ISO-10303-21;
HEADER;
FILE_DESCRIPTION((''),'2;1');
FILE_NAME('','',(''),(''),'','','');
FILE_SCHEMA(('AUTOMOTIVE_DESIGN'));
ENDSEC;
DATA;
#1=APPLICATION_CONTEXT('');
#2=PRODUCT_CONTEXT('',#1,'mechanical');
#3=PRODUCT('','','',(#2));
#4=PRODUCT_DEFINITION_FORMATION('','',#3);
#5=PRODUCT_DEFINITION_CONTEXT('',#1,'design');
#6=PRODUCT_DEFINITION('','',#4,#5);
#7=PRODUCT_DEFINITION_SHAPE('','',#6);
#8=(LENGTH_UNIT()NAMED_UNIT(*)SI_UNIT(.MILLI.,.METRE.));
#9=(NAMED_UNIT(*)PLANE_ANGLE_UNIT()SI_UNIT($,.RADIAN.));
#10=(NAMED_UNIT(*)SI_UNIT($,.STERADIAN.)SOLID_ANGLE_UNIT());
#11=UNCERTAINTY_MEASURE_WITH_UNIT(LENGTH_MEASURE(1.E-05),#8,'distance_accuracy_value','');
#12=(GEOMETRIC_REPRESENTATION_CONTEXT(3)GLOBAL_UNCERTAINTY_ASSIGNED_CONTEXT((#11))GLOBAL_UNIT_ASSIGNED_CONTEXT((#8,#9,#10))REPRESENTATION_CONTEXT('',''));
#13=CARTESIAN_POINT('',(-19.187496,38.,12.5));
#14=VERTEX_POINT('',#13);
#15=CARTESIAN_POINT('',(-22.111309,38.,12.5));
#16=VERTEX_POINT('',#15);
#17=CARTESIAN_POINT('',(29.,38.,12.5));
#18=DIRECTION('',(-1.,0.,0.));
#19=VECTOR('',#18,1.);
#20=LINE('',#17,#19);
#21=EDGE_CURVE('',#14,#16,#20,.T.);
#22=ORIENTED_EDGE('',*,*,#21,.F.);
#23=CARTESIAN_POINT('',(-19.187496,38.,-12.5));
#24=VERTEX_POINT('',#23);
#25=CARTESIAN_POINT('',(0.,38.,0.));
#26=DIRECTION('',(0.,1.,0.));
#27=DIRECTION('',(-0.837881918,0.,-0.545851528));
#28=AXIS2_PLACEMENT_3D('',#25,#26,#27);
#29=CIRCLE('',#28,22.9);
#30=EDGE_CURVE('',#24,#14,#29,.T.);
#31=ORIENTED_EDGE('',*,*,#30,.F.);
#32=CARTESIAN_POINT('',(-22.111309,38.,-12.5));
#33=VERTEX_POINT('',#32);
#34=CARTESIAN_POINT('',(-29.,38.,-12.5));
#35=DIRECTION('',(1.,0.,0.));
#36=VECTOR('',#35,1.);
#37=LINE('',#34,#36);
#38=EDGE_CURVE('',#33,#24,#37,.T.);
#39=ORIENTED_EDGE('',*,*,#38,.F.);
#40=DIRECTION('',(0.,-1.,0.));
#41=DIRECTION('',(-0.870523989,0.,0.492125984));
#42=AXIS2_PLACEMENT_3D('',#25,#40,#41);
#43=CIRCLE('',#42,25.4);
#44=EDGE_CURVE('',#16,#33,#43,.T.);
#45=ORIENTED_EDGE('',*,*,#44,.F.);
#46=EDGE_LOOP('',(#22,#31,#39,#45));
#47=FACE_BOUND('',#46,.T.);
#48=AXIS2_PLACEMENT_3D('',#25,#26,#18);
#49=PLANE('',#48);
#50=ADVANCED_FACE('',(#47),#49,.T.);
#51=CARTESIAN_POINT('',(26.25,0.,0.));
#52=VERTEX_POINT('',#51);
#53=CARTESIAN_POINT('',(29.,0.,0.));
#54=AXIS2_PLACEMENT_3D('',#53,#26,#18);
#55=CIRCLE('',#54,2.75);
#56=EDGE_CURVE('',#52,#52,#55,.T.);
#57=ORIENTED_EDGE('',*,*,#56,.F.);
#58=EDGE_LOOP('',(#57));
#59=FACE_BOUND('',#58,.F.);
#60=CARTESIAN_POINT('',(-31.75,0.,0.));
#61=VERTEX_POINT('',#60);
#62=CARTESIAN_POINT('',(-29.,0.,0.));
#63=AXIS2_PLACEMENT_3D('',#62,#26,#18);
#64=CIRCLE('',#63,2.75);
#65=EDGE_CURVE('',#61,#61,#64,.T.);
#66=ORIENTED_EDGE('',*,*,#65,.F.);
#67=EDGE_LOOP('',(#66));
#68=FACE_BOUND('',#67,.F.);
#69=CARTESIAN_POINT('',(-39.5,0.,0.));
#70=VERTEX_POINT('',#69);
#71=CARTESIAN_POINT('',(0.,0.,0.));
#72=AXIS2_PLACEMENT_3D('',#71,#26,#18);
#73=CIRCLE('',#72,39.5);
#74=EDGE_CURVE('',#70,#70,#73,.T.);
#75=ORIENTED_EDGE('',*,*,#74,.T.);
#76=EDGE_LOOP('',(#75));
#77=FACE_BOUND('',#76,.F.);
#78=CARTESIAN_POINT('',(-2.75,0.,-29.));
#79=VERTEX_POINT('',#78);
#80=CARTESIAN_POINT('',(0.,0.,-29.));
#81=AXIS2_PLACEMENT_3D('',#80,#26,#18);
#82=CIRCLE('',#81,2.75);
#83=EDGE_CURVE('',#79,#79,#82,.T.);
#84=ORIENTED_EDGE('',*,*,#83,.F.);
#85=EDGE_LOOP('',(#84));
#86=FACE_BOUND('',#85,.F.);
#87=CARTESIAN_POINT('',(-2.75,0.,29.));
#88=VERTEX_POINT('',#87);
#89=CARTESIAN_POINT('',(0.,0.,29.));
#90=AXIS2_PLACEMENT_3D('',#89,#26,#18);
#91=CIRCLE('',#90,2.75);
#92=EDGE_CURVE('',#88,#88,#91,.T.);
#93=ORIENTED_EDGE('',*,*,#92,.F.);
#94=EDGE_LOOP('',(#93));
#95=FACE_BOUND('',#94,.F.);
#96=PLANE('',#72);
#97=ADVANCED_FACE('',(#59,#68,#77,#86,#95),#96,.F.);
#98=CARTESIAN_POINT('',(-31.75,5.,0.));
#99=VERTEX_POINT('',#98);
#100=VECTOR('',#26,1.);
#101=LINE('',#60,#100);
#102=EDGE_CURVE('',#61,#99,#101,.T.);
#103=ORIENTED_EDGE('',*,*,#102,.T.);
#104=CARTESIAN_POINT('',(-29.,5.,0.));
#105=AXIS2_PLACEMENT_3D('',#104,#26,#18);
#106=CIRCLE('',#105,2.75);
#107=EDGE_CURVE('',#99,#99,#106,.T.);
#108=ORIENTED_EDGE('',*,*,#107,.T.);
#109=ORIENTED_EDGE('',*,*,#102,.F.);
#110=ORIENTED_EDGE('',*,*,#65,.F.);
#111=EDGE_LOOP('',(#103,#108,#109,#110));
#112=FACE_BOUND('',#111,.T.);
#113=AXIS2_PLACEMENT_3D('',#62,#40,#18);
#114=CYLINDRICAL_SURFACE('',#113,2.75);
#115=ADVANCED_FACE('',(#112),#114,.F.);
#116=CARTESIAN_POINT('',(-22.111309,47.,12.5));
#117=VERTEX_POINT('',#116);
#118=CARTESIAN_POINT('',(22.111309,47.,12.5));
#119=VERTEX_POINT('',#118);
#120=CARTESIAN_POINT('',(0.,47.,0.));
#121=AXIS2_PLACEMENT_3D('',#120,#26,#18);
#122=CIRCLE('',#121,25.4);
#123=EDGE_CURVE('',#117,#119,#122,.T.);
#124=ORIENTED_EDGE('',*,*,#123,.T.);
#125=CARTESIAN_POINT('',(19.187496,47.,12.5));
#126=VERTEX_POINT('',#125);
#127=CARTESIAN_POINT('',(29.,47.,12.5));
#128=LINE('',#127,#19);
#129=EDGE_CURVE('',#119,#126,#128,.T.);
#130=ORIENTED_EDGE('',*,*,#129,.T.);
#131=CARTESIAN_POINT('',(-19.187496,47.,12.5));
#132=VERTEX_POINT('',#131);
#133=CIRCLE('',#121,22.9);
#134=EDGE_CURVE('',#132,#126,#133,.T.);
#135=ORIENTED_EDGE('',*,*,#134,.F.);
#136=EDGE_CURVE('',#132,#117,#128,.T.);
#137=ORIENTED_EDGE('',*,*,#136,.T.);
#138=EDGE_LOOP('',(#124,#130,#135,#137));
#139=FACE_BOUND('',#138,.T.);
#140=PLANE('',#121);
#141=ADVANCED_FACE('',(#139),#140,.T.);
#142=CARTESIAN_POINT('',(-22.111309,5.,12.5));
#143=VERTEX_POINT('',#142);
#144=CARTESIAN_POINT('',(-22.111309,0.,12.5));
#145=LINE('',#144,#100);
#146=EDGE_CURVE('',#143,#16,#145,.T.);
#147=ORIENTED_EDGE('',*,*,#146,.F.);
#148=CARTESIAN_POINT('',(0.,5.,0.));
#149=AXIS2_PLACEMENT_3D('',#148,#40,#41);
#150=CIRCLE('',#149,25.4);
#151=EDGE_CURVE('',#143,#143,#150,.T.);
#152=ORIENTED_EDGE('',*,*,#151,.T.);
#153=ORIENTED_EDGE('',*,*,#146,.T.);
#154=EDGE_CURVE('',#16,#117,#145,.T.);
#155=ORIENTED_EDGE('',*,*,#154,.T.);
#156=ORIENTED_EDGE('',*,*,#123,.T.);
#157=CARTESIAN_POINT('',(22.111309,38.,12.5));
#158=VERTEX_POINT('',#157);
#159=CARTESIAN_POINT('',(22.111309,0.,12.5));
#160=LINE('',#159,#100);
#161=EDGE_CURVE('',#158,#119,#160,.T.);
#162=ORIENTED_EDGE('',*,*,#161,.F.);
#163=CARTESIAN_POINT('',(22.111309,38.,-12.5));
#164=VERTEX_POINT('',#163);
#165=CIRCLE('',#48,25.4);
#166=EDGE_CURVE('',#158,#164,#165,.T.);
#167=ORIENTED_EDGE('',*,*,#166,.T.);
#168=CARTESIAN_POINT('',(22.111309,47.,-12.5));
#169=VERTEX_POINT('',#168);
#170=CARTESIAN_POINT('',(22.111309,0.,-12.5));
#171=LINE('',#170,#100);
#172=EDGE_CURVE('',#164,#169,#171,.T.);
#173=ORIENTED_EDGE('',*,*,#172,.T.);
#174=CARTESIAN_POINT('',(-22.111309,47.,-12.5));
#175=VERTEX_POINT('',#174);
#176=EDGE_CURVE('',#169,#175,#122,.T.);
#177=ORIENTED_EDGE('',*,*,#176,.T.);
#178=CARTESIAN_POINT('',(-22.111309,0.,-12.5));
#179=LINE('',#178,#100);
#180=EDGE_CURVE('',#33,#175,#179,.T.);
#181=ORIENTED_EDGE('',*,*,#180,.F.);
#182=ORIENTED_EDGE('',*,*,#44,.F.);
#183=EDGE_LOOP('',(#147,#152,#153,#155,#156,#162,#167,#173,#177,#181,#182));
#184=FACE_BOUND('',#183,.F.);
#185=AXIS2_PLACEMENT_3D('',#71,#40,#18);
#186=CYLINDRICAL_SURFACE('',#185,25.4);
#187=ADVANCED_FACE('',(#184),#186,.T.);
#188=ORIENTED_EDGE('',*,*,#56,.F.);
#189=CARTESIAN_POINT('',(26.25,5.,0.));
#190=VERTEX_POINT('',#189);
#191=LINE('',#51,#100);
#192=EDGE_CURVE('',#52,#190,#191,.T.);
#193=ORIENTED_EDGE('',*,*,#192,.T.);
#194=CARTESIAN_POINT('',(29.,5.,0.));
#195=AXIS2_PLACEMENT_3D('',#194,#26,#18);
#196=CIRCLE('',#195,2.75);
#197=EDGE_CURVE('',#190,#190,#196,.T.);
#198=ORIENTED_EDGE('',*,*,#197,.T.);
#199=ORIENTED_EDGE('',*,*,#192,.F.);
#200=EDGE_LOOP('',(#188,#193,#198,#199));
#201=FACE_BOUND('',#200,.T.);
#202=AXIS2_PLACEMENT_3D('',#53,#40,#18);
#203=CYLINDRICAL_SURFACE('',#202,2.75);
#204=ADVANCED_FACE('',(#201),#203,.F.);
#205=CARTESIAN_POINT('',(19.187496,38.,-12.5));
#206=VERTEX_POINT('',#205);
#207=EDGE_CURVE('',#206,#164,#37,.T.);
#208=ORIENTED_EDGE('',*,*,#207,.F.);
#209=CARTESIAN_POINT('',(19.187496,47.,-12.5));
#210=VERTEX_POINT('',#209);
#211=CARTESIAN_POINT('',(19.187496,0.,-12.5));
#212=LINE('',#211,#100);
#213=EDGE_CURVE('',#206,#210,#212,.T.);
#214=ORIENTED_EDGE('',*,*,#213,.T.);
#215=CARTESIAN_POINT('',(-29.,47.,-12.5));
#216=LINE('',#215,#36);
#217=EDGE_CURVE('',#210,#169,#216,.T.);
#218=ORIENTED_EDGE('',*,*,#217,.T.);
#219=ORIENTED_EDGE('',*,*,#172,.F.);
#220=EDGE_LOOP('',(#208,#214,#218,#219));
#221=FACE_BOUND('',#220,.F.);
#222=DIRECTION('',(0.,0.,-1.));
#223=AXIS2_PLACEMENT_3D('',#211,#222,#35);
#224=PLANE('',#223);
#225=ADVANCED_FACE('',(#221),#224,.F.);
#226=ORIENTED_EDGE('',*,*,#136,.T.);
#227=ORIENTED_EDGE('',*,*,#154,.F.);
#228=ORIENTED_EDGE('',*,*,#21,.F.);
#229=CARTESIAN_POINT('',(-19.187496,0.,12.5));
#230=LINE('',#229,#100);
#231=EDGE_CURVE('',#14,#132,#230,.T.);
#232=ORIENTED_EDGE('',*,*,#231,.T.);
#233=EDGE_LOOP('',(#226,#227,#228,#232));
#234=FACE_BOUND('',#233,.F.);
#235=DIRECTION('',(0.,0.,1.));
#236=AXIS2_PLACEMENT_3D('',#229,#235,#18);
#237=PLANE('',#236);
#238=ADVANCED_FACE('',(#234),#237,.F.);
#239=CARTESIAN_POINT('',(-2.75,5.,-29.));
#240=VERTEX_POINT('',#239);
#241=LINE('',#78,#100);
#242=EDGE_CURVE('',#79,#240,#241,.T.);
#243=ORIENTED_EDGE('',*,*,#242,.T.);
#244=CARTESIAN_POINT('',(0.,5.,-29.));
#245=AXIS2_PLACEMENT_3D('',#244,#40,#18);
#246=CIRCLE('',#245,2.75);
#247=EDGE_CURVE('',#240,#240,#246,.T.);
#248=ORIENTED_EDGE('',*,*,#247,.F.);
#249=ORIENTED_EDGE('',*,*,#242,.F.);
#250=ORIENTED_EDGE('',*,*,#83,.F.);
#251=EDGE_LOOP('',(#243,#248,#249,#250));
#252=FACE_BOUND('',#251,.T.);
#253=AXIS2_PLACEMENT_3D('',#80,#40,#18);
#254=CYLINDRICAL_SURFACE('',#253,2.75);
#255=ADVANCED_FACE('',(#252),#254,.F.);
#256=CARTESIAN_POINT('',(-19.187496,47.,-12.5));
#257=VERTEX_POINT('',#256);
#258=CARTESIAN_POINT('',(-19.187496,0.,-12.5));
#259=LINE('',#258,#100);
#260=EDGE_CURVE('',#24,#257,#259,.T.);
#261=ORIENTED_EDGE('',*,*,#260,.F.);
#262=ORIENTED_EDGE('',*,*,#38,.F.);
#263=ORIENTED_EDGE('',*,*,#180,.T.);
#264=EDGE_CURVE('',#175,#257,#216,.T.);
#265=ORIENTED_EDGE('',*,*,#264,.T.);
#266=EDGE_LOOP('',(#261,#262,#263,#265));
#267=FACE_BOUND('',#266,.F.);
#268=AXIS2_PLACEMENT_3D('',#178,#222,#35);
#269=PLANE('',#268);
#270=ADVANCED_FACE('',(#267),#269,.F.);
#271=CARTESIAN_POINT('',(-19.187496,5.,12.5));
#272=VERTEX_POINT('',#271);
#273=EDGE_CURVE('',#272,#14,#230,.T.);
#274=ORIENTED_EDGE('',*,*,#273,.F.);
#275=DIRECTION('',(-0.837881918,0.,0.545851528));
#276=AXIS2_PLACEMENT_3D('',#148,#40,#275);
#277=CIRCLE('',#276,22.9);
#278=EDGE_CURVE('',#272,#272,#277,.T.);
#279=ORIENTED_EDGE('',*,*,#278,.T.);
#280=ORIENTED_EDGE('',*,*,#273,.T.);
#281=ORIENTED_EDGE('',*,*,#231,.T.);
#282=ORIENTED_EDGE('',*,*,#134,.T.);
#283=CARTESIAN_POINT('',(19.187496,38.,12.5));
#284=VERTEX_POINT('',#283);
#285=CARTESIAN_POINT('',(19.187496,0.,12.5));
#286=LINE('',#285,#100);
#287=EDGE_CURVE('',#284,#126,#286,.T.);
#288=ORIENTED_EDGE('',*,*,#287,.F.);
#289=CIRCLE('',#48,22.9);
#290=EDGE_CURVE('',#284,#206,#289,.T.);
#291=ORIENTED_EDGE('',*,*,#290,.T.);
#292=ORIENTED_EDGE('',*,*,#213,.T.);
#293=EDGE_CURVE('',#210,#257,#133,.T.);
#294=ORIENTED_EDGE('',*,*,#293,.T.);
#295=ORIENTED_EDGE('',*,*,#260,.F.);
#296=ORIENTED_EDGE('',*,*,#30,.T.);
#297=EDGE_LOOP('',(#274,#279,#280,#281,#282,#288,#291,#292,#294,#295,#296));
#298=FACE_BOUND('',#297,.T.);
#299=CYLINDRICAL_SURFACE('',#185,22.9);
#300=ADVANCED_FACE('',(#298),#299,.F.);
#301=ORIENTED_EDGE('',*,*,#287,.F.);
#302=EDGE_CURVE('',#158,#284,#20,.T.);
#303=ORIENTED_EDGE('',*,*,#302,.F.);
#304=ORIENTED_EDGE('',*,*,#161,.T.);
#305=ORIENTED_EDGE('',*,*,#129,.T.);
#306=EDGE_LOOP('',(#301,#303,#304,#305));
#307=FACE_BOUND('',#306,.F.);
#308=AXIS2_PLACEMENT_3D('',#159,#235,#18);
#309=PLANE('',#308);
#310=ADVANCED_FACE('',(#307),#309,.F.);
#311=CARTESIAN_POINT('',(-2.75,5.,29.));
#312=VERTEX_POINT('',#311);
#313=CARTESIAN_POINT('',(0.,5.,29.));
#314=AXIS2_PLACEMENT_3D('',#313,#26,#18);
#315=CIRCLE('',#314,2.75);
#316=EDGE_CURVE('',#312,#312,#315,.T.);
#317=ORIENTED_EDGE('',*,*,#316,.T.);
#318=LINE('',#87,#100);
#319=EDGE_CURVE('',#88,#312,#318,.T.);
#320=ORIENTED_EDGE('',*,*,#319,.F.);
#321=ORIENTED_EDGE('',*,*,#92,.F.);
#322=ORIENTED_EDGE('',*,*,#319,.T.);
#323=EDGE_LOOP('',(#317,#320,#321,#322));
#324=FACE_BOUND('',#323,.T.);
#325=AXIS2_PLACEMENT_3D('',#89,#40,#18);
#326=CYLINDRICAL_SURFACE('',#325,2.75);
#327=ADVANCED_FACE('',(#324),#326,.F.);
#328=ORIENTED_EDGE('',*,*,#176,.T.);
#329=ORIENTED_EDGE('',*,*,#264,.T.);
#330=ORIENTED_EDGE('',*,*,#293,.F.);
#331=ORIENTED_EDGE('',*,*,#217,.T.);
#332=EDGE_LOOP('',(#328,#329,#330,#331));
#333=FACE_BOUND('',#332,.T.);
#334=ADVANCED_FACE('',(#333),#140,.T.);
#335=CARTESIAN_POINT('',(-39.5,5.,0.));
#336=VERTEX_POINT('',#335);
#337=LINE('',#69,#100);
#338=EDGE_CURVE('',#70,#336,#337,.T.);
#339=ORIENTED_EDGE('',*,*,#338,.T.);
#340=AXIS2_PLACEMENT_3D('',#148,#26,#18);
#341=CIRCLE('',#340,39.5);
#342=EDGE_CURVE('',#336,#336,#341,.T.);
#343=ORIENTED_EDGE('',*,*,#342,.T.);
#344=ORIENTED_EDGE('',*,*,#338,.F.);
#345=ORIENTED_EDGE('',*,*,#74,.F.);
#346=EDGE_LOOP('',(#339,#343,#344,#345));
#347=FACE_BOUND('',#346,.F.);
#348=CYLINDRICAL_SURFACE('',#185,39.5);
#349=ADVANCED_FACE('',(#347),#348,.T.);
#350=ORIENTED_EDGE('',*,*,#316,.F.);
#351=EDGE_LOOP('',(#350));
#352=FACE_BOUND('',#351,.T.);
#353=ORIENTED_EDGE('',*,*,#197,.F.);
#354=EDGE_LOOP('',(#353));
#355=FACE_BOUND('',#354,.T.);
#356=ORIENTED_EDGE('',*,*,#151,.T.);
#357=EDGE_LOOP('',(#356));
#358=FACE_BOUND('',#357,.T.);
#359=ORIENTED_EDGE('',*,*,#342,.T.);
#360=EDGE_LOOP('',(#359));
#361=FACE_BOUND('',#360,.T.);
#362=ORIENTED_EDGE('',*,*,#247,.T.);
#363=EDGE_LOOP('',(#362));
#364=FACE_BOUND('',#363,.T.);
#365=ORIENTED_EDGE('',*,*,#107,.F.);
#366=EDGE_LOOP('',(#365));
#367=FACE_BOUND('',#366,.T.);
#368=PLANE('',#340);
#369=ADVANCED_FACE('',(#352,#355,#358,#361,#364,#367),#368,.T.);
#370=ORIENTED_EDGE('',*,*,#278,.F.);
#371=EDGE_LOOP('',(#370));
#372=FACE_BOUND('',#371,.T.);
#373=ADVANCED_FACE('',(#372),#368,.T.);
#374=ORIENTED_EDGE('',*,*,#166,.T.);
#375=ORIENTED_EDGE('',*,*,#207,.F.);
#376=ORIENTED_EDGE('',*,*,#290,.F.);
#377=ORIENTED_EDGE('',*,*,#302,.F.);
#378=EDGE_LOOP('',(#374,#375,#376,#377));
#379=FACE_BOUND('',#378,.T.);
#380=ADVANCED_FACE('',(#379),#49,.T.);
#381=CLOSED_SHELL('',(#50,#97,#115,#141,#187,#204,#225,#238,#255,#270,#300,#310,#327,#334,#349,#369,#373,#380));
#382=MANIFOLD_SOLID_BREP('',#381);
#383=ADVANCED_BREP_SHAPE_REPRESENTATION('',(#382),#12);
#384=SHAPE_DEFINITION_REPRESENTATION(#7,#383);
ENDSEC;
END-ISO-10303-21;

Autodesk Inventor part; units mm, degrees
ref_plane "YZ Plane" through (0, 0, 0) normal (1, 0, 0) x (0, 1, 0)
ref_plane "XZ Plane" through (0, 0, 0) normal (0, 1, 0) x (-1, 0, 0)
ref_plane "XY Plane" through (0, 0, 0) normal (0, 0, 1) x (1, 0, 0)
sketch "Sketch1" plane through (0, 0, 0) normal (0, 1, 0) x (-1, 0, 0)
  circle A0 centre (0, 0) radius 22.9
  circle A1 centre (0, 0) radius 39.5
  circle A2 centre (0, 0) radius 29
  circle A3 centre (0, -29) radius 2.75
  circle A4 centre (29, 0) radius 2.75
  circle A5 centre (0, 29) radius 2.75
  circle A6 centre (-29, 0) radius 2.75
  circle A7 centre (0, 0) radius 25.4
  line L0 (-29, 12.5) -> (29, 12.5)
  line L1 (29, 12.5) -> (29, -12.5)
  line L2 (29, -12.5) -> (-29, -12.5)
  line L3 (-29, -12.5) -> (-29, 12.5)
  line L4 (-29, 12.5) -> (29, -12.5) construction
  line L5 (29, 12.5) -> (-29, -12.5) construction
  point P0 (19.1875, 12.5)
  point P1 (22.1113, 12.5)
  point P2 (-22.1113, 12.5)
  point P3 (-19.1875, 12.5)
  point P4 (-19.1875, -12.5)
  point P5 (-22.1113, -12.5)
  point P6 (22.1113, -12.5)
  point P7 (19.1875, -12.5)
  dimension "d2" = 58
  dimension "d0" = 45.8
  dimension "d1" = 79
  dimension "d3" = 5.5
  dimension "d6" = 360
  dimension "d10" = 25
extrude "Extrusion1" add sketch "Sketch1" along normal blind 5 contours A0 L2 L0 | A0 L0 A7 L2 | L0 A0 | A0 L0 A7 | L2 A7 A0 | A0 L2 | A0 L2 A7 L0 | L0 A2 A4 L2 A7 | A7 L0 A2 A5 | L2 A2 A3 A7 | A7 L2 A2 A6 L0 | L0 L1 A4 A2 | A2 A4 L1 L2 | A2 A6 L3 L0 | L2 L3 A6 A2 | A1
extrude "Extrusion2" add sketch "Sketch1" along normal blind 47 contours A0 L0 A7 | L2 A7 A0
extrude "Extrusion3" add sketch "Sketch1" along normal blind 38 contours A0 L0 A7 L2 | A0 L2 A7 L0
properties part number "PZT holder"
